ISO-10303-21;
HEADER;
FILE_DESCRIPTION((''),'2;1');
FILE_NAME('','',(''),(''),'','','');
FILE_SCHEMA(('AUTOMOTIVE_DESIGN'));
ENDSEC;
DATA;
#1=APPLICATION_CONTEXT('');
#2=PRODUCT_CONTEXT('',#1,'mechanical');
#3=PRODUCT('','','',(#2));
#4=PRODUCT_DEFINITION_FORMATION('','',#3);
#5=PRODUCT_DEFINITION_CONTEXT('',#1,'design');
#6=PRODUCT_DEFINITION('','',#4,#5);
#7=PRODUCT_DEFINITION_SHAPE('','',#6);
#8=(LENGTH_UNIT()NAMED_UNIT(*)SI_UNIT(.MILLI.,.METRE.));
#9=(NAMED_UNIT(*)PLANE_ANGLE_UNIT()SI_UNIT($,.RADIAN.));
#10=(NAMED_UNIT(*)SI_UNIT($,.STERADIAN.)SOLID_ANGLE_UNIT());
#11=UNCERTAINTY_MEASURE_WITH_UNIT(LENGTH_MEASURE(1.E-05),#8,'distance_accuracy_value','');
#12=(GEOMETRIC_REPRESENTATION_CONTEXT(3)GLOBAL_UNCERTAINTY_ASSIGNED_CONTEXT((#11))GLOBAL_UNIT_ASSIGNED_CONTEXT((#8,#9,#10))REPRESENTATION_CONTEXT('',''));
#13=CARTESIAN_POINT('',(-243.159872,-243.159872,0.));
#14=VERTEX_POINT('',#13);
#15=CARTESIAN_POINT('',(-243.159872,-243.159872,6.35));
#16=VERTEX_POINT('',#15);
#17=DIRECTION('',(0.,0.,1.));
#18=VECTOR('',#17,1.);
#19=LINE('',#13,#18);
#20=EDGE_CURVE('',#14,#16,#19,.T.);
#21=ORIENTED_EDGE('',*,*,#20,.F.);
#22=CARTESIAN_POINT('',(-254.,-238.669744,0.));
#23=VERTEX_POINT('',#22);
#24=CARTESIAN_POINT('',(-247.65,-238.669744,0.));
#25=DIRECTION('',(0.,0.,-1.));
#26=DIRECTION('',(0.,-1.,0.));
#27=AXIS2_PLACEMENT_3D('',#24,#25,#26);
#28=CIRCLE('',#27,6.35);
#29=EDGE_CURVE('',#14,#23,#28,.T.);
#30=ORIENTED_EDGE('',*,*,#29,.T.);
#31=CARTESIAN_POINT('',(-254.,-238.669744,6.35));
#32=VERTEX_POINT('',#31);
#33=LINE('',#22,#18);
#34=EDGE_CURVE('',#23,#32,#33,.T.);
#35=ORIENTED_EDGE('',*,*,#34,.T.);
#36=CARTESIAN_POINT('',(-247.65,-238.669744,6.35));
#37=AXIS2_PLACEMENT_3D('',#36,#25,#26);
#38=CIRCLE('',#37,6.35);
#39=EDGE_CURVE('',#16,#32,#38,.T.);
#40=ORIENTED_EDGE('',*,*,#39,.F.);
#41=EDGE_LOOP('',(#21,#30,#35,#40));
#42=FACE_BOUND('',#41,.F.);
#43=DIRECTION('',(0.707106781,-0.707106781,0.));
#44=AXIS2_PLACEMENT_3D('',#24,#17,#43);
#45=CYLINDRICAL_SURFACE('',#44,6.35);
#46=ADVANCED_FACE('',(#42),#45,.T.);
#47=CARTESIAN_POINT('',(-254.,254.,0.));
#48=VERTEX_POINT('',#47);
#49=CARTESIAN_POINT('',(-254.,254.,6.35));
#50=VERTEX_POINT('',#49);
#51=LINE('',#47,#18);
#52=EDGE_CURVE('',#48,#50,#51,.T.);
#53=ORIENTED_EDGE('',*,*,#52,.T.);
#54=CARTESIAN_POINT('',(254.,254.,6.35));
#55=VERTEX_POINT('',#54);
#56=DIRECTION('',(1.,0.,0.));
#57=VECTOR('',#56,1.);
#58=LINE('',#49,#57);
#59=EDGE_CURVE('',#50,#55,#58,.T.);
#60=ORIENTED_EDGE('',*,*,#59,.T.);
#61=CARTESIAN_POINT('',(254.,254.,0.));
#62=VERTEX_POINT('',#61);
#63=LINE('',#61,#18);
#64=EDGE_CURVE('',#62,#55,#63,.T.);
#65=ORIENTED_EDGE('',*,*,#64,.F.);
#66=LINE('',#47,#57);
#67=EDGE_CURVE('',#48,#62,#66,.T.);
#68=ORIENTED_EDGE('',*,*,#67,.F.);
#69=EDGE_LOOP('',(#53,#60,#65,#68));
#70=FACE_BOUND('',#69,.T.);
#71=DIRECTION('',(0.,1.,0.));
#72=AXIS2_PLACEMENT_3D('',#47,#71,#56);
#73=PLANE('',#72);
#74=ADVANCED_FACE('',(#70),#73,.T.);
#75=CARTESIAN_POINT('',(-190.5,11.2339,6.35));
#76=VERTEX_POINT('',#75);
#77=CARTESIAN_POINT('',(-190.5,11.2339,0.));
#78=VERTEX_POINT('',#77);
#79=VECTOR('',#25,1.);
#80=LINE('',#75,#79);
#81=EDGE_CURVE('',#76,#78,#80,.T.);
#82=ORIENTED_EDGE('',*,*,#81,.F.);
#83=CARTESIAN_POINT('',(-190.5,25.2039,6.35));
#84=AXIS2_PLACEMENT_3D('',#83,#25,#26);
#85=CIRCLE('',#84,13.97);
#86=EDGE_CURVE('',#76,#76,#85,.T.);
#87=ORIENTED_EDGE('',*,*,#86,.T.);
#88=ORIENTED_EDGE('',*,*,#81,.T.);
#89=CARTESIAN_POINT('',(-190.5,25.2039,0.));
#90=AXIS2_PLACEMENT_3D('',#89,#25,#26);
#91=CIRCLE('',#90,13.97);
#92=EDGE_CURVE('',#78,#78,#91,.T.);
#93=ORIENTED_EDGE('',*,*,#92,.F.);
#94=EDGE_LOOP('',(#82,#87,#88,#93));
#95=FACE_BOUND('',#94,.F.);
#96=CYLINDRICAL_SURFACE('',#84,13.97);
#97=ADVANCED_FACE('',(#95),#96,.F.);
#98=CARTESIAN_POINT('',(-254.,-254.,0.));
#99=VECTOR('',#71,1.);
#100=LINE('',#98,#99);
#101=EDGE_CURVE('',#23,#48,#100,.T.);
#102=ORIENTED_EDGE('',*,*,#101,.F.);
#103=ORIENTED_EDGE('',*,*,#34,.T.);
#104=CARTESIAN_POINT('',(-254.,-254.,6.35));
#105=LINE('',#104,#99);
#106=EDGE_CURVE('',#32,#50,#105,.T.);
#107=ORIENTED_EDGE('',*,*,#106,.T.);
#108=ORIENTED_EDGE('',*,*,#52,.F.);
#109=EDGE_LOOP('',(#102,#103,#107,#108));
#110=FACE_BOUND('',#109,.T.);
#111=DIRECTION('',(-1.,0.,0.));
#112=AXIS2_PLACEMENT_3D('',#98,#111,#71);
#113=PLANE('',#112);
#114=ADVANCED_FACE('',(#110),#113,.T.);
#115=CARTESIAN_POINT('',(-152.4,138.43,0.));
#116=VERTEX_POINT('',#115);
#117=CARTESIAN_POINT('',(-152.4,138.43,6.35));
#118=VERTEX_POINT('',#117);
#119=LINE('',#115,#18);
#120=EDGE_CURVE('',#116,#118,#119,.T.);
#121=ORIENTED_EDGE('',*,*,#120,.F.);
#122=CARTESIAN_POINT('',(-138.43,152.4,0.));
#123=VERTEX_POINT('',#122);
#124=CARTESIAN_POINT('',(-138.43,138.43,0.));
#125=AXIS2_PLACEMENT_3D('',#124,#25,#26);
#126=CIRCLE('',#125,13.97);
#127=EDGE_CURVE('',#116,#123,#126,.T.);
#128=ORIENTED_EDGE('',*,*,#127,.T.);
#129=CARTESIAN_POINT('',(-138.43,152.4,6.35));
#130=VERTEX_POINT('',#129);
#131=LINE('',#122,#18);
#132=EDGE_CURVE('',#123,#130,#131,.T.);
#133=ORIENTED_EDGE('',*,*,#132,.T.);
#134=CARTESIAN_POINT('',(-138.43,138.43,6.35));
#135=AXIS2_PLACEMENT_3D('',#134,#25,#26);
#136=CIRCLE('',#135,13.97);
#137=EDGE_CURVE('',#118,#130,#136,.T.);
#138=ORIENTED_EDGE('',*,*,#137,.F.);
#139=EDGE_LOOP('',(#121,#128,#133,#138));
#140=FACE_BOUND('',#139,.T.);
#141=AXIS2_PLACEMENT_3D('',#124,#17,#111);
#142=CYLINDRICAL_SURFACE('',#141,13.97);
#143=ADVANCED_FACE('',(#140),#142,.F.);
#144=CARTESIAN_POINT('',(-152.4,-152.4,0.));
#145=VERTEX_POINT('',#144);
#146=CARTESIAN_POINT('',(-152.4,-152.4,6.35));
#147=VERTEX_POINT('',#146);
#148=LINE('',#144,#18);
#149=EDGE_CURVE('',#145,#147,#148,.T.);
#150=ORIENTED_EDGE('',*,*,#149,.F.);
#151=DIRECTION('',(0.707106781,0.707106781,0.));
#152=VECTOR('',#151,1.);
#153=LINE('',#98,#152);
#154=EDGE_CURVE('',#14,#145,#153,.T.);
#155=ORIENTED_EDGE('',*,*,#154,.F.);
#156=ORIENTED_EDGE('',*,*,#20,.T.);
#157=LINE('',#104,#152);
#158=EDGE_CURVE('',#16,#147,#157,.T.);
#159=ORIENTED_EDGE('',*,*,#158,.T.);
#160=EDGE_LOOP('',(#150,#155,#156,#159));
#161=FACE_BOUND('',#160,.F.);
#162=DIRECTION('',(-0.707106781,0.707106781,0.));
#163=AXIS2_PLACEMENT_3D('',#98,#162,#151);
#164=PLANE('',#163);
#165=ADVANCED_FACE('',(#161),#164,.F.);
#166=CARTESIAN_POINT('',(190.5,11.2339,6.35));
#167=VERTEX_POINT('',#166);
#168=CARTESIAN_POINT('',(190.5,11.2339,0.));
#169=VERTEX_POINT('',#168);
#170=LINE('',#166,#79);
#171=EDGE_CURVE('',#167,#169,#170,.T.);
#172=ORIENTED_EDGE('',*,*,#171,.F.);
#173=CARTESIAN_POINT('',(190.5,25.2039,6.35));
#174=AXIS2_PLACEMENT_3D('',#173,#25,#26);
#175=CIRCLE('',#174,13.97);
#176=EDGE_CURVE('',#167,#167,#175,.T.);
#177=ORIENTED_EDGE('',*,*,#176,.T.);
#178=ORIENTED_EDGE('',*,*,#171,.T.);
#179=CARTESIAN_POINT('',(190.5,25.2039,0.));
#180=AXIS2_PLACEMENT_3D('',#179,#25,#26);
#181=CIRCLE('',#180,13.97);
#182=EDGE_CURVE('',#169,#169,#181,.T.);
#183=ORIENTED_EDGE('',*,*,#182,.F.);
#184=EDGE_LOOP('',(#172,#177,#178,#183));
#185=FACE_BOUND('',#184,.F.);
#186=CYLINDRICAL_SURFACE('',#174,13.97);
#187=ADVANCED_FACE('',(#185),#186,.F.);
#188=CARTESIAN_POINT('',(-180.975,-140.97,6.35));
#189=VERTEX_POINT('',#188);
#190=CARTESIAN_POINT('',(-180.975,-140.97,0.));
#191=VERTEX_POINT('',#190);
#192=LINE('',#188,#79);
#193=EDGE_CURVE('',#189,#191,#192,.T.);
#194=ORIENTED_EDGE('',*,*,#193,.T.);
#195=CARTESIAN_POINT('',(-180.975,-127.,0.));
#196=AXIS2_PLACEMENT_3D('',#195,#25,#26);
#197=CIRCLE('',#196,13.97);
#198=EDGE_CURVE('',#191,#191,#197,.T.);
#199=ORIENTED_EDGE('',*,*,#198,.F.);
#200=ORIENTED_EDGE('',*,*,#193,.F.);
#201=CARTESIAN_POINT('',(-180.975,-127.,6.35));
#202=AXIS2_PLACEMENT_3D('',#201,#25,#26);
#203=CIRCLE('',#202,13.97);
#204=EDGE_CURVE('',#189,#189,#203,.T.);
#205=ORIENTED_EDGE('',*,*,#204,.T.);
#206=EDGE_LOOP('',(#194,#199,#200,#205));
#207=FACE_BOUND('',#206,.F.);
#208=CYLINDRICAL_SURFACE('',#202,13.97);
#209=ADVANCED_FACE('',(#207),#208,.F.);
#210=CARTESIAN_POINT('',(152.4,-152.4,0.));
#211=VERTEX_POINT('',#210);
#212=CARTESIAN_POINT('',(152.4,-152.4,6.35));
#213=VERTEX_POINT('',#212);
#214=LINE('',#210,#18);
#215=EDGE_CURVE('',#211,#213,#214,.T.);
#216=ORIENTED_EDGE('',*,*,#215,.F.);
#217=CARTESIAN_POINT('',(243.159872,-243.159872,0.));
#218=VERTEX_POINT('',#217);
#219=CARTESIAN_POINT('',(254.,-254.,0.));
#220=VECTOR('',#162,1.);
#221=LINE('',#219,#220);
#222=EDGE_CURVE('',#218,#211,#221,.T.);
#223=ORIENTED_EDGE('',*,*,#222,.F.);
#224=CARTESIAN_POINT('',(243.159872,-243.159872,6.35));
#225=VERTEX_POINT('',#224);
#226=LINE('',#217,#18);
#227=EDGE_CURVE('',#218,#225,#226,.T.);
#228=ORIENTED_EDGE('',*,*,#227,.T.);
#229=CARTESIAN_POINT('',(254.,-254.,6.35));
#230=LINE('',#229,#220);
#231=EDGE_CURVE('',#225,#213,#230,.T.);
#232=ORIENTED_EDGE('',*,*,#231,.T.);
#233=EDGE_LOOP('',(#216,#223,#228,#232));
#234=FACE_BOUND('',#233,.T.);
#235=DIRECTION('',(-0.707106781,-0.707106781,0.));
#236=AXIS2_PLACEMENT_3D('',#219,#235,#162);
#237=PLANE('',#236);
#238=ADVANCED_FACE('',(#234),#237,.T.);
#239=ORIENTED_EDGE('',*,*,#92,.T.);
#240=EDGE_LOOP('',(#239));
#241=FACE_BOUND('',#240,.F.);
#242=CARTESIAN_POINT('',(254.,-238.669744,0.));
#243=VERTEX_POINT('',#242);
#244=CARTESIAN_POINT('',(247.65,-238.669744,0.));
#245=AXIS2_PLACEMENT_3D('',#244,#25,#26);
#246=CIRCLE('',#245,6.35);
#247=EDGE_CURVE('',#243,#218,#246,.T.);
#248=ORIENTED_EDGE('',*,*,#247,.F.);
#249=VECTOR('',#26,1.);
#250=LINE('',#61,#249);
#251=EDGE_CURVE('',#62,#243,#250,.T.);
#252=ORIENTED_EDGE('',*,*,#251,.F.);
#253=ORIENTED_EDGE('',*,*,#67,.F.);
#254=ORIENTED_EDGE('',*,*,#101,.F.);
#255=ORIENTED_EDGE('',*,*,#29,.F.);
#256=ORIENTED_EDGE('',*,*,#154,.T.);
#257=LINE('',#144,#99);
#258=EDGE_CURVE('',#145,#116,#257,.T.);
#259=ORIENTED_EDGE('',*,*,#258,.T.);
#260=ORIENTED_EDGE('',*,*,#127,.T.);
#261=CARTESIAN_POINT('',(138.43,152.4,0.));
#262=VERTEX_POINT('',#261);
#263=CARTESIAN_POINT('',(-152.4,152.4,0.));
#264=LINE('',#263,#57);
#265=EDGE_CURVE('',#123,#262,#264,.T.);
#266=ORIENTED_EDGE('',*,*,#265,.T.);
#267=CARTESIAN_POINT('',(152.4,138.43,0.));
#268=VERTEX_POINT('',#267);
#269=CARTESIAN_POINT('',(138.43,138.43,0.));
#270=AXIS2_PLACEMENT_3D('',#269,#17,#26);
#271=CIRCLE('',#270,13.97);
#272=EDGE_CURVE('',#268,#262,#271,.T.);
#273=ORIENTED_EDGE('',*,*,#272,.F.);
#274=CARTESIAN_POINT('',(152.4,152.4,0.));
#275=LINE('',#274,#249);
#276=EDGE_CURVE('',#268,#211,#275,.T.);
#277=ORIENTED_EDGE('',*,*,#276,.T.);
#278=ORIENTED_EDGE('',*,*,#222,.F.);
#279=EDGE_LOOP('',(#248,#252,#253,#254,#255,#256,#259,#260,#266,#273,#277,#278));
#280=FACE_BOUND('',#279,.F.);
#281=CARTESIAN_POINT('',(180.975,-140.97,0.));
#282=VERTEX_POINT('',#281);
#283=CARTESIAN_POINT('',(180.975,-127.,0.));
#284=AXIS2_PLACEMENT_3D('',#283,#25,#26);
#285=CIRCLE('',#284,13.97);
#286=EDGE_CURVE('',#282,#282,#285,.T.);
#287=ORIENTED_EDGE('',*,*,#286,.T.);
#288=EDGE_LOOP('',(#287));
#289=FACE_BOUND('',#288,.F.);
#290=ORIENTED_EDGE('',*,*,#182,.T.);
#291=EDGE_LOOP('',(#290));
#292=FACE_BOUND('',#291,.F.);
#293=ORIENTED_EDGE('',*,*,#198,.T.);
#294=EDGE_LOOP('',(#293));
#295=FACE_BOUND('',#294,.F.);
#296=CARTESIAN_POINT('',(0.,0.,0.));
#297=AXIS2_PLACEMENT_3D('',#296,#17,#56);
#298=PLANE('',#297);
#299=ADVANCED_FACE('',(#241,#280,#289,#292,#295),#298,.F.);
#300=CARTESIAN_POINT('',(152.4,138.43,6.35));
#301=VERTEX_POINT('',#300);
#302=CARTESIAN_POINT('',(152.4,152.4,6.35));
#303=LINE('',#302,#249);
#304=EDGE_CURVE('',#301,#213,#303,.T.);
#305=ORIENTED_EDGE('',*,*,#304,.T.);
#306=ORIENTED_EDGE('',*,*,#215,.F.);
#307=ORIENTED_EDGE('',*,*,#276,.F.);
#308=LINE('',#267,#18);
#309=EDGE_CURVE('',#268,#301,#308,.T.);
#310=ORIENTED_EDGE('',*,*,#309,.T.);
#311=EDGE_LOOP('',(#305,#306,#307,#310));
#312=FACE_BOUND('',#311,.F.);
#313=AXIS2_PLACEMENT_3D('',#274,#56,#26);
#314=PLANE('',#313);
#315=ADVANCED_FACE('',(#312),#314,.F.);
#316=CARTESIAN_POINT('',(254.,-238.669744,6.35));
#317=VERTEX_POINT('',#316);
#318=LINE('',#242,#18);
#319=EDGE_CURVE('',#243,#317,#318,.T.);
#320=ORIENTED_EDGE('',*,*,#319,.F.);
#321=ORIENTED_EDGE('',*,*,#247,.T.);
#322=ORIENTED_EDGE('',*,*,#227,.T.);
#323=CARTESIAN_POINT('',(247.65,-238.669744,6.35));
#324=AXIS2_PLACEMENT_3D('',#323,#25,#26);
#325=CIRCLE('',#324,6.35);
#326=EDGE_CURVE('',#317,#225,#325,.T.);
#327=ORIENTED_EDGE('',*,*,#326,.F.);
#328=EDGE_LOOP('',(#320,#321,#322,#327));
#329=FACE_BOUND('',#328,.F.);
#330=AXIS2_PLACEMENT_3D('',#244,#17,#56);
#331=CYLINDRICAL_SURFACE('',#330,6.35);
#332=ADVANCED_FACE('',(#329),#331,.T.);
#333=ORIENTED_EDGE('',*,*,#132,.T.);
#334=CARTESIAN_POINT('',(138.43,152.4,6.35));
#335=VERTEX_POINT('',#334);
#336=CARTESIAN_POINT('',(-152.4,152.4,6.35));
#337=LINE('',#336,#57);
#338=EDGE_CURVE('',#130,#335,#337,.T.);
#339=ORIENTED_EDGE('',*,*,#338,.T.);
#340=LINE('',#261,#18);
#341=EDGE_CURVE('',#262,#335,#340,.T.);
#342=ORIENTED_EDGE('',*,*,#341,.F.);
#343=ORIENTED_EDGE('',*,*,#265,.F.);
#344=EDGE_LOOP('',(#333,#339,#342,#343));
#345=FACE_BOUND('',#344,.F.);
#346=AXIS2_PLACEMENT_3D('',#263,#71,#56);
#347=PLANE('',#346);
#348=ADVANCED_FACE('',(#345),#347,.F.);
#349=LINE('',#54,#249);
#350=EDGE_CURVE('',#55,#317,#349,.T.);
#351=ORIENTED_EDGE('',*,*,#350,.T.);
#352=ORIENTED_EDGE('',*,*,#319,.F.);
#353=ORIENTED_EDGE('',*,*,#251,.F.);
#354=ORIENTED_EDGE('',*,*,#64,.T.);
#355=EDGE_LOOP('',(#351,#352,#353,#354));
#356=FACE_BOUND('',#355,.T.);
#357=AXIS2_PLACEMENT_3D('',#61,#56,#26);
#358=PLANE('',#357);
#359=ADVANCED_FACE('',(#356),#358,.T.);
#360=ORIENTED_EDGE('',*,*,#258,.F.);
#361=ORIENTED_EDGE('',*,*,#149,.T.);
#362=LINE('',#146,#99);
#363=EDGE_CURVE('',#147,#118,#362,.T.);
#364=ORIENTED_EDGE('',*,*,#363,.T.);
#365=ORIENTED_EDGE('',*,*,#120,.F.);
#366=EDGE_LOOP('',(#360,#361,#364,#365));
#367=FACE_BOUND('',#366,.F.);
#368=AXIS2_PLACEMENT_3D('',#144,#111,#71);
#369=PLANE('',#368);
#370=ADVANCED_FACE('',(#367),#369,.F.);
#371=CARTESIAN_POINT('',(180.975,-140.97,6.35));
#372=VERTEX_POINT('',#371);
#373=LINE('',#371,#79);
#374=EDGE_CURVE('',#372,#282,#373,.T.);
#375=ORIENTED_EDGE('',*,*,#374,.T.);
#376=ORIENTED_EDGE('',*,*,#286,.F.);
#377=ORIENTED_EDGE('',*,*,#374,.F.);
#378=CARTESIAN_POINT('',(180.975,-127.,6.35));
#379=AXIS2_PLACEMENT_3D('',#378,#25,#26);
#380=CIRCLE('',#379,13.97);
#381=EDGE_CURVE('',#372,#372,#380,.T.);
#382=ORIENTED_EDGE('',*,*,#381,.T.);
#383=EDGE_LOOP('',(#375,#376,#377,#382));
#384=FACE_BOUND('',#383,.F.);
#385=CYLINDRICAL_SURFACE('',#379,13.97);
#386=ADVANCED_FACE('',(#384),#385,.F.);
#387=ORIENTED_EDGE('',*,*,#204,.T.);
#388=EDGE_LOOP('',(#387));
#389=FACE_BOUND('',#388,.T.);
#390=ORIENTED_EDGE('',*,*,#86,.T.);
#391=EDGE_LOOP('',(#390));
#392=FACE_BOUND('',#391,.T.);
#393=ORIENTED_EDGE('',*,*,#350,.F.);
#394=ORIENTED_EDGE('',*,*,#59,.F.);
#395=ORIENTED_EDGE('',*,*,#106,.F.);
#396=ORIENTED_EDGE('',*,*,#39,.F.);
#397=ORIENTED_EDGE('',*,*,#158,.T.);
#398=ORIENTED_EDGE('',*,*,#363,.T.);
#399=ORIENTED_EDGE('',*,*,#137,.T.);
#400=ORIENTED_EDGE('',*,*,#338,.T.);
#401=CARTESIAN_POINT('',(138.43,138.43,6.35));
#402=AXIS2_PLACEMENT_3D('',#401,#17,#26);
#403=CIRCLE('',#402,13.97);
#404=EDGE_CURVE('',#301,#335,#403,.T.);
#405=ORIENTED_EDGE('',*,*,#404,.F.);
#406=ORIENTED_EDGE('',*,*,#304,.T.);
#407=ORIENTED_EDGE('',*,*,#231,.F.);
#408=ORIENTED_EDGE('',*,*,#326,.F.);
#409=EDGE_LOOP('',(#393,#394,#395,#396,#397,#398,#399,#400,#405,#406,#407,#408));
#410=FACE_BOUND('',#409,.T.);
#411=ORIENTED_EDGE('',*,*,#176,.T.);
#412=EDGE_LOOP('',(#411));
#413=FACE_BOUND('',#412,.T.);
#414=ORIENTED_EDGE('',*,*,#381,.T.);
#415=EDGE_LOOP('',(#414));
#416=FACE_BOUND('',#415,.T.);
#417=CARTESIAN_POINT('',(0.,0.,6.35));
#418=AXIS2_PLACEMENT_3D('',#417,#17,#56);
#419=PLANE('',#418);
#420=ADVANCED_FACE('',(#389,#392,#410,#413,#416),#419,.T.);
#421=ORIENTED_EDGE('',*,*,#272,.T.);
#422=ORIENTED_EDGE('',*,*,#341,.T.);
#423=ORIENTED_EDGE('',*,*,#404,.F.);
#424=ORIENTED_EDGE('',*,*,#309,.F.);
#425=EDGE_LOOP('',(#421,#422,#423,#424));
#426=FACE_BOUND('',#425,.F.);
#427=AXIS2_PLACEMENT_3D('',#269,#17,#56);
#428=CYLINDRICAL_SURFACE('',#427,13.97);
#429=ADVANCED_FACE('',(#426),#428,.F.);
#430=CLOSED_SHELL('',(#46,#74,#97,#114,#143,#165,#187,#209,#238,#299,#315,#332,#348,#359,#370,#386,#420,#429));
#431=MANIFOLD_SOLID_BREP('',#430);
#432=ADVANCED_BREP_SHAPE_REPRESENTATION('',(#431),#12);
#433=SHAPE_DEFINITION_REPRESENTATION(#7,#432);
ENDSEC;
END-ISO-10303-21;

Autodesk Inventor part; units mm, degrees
ref_plane "YZ Plane" through (0, 0, 0) normal (1, 0, 0) x (0, 1, 0)
ref_plane "XZ Plane" through (0, 0, 0) normal (0, 1, 0) x (-1, 0, 0)
ref_plane "XY Plane" through (0, 0, 0) normal (0, 0, 1) x (1, 0, 0)
sketch "Sketch1" plane through (0, 0, 0) normal (0, 0, 1) x (1, 0, 0)
  line L0 (-254, 254) -> (254, 254)
  line L1 (254, 254) -> (254, -254)
  line L2 (-254, -254) -> (-254, 254)
  line L3 (-254, 254) -> (254, -254) construction
  line L4 (254, 254) -> (-254, -254) construction
  line L5 (-254, -254) -> (-152.4, -152.4)
  line L6 (-152.4, -152.4) -> (-152.4, 152.4)
  line L7 (-152.4, 152.4) -> (152.4, 152.4)
  line L8 (152.4, 152.4) -> (152.4, -152.4)
  line L9 (254, -254) -> (152.4, -152.4)
  point P0 (0, 0)
  dimension "d2" = 101.6
  dimension "d3" = 101.6
  dimension "d23" = 304.8
extrude "Extrusion1" add sketch "Sketch1" along normal blind 6.35
sketch "Sketch2" plane through (0, 0, 6.35) normal (0, 0, 1) x (1, 0, 0)
  line L0 (-152.4, -152.4) -> (-152.4, 152.4) projected
  line L1 (152.4, 152.4) -> (152.4, -152.4) projected
  circle A0 centre (-180.975, -127) radius 50.8 construction
  line L2 (-254, -254) -> (-152.4, -152.4) construction
  point P0 (0, 0)
  point P1 (-190.5, 25.2039)
  point P2 (190.5, 25.2039)
  point P3 (180.975, -127)
  dimension "d6" = 28.575
  dimension "d7" = 38.1
  dimension "d8" = 38.1
  dimension "d9" = 28.575
  dimension "d18" = 152.5016
  dimension "d20" = 152.5016
  dimension "d21" = 101.6
  dimension "d25" = 127
hole "Hole1" at (-180.975, -127, 6.35) at (-190.5, 25.2039, 6.35) at (190.5, 25.2039, 6.35) at (180.975, -127, 6.35) direction (0, 0, -1) diameter 27.94 end through all
fillet "Fillet1" radius 13.97 2 edges at (-152.4, 152.4, 3.175) (152.4, 152.4, 3.175)
fillet "Fillet2" radius 6.35 2 edges at (-254, -254, 3.175) (254, -254, 3.175)
equation "\"d8\" = d7"
equation "\"d9\" = d6"
equation "\"d20\" = d18"
properties part number "AI1-001" material "Aluminum 6061"
